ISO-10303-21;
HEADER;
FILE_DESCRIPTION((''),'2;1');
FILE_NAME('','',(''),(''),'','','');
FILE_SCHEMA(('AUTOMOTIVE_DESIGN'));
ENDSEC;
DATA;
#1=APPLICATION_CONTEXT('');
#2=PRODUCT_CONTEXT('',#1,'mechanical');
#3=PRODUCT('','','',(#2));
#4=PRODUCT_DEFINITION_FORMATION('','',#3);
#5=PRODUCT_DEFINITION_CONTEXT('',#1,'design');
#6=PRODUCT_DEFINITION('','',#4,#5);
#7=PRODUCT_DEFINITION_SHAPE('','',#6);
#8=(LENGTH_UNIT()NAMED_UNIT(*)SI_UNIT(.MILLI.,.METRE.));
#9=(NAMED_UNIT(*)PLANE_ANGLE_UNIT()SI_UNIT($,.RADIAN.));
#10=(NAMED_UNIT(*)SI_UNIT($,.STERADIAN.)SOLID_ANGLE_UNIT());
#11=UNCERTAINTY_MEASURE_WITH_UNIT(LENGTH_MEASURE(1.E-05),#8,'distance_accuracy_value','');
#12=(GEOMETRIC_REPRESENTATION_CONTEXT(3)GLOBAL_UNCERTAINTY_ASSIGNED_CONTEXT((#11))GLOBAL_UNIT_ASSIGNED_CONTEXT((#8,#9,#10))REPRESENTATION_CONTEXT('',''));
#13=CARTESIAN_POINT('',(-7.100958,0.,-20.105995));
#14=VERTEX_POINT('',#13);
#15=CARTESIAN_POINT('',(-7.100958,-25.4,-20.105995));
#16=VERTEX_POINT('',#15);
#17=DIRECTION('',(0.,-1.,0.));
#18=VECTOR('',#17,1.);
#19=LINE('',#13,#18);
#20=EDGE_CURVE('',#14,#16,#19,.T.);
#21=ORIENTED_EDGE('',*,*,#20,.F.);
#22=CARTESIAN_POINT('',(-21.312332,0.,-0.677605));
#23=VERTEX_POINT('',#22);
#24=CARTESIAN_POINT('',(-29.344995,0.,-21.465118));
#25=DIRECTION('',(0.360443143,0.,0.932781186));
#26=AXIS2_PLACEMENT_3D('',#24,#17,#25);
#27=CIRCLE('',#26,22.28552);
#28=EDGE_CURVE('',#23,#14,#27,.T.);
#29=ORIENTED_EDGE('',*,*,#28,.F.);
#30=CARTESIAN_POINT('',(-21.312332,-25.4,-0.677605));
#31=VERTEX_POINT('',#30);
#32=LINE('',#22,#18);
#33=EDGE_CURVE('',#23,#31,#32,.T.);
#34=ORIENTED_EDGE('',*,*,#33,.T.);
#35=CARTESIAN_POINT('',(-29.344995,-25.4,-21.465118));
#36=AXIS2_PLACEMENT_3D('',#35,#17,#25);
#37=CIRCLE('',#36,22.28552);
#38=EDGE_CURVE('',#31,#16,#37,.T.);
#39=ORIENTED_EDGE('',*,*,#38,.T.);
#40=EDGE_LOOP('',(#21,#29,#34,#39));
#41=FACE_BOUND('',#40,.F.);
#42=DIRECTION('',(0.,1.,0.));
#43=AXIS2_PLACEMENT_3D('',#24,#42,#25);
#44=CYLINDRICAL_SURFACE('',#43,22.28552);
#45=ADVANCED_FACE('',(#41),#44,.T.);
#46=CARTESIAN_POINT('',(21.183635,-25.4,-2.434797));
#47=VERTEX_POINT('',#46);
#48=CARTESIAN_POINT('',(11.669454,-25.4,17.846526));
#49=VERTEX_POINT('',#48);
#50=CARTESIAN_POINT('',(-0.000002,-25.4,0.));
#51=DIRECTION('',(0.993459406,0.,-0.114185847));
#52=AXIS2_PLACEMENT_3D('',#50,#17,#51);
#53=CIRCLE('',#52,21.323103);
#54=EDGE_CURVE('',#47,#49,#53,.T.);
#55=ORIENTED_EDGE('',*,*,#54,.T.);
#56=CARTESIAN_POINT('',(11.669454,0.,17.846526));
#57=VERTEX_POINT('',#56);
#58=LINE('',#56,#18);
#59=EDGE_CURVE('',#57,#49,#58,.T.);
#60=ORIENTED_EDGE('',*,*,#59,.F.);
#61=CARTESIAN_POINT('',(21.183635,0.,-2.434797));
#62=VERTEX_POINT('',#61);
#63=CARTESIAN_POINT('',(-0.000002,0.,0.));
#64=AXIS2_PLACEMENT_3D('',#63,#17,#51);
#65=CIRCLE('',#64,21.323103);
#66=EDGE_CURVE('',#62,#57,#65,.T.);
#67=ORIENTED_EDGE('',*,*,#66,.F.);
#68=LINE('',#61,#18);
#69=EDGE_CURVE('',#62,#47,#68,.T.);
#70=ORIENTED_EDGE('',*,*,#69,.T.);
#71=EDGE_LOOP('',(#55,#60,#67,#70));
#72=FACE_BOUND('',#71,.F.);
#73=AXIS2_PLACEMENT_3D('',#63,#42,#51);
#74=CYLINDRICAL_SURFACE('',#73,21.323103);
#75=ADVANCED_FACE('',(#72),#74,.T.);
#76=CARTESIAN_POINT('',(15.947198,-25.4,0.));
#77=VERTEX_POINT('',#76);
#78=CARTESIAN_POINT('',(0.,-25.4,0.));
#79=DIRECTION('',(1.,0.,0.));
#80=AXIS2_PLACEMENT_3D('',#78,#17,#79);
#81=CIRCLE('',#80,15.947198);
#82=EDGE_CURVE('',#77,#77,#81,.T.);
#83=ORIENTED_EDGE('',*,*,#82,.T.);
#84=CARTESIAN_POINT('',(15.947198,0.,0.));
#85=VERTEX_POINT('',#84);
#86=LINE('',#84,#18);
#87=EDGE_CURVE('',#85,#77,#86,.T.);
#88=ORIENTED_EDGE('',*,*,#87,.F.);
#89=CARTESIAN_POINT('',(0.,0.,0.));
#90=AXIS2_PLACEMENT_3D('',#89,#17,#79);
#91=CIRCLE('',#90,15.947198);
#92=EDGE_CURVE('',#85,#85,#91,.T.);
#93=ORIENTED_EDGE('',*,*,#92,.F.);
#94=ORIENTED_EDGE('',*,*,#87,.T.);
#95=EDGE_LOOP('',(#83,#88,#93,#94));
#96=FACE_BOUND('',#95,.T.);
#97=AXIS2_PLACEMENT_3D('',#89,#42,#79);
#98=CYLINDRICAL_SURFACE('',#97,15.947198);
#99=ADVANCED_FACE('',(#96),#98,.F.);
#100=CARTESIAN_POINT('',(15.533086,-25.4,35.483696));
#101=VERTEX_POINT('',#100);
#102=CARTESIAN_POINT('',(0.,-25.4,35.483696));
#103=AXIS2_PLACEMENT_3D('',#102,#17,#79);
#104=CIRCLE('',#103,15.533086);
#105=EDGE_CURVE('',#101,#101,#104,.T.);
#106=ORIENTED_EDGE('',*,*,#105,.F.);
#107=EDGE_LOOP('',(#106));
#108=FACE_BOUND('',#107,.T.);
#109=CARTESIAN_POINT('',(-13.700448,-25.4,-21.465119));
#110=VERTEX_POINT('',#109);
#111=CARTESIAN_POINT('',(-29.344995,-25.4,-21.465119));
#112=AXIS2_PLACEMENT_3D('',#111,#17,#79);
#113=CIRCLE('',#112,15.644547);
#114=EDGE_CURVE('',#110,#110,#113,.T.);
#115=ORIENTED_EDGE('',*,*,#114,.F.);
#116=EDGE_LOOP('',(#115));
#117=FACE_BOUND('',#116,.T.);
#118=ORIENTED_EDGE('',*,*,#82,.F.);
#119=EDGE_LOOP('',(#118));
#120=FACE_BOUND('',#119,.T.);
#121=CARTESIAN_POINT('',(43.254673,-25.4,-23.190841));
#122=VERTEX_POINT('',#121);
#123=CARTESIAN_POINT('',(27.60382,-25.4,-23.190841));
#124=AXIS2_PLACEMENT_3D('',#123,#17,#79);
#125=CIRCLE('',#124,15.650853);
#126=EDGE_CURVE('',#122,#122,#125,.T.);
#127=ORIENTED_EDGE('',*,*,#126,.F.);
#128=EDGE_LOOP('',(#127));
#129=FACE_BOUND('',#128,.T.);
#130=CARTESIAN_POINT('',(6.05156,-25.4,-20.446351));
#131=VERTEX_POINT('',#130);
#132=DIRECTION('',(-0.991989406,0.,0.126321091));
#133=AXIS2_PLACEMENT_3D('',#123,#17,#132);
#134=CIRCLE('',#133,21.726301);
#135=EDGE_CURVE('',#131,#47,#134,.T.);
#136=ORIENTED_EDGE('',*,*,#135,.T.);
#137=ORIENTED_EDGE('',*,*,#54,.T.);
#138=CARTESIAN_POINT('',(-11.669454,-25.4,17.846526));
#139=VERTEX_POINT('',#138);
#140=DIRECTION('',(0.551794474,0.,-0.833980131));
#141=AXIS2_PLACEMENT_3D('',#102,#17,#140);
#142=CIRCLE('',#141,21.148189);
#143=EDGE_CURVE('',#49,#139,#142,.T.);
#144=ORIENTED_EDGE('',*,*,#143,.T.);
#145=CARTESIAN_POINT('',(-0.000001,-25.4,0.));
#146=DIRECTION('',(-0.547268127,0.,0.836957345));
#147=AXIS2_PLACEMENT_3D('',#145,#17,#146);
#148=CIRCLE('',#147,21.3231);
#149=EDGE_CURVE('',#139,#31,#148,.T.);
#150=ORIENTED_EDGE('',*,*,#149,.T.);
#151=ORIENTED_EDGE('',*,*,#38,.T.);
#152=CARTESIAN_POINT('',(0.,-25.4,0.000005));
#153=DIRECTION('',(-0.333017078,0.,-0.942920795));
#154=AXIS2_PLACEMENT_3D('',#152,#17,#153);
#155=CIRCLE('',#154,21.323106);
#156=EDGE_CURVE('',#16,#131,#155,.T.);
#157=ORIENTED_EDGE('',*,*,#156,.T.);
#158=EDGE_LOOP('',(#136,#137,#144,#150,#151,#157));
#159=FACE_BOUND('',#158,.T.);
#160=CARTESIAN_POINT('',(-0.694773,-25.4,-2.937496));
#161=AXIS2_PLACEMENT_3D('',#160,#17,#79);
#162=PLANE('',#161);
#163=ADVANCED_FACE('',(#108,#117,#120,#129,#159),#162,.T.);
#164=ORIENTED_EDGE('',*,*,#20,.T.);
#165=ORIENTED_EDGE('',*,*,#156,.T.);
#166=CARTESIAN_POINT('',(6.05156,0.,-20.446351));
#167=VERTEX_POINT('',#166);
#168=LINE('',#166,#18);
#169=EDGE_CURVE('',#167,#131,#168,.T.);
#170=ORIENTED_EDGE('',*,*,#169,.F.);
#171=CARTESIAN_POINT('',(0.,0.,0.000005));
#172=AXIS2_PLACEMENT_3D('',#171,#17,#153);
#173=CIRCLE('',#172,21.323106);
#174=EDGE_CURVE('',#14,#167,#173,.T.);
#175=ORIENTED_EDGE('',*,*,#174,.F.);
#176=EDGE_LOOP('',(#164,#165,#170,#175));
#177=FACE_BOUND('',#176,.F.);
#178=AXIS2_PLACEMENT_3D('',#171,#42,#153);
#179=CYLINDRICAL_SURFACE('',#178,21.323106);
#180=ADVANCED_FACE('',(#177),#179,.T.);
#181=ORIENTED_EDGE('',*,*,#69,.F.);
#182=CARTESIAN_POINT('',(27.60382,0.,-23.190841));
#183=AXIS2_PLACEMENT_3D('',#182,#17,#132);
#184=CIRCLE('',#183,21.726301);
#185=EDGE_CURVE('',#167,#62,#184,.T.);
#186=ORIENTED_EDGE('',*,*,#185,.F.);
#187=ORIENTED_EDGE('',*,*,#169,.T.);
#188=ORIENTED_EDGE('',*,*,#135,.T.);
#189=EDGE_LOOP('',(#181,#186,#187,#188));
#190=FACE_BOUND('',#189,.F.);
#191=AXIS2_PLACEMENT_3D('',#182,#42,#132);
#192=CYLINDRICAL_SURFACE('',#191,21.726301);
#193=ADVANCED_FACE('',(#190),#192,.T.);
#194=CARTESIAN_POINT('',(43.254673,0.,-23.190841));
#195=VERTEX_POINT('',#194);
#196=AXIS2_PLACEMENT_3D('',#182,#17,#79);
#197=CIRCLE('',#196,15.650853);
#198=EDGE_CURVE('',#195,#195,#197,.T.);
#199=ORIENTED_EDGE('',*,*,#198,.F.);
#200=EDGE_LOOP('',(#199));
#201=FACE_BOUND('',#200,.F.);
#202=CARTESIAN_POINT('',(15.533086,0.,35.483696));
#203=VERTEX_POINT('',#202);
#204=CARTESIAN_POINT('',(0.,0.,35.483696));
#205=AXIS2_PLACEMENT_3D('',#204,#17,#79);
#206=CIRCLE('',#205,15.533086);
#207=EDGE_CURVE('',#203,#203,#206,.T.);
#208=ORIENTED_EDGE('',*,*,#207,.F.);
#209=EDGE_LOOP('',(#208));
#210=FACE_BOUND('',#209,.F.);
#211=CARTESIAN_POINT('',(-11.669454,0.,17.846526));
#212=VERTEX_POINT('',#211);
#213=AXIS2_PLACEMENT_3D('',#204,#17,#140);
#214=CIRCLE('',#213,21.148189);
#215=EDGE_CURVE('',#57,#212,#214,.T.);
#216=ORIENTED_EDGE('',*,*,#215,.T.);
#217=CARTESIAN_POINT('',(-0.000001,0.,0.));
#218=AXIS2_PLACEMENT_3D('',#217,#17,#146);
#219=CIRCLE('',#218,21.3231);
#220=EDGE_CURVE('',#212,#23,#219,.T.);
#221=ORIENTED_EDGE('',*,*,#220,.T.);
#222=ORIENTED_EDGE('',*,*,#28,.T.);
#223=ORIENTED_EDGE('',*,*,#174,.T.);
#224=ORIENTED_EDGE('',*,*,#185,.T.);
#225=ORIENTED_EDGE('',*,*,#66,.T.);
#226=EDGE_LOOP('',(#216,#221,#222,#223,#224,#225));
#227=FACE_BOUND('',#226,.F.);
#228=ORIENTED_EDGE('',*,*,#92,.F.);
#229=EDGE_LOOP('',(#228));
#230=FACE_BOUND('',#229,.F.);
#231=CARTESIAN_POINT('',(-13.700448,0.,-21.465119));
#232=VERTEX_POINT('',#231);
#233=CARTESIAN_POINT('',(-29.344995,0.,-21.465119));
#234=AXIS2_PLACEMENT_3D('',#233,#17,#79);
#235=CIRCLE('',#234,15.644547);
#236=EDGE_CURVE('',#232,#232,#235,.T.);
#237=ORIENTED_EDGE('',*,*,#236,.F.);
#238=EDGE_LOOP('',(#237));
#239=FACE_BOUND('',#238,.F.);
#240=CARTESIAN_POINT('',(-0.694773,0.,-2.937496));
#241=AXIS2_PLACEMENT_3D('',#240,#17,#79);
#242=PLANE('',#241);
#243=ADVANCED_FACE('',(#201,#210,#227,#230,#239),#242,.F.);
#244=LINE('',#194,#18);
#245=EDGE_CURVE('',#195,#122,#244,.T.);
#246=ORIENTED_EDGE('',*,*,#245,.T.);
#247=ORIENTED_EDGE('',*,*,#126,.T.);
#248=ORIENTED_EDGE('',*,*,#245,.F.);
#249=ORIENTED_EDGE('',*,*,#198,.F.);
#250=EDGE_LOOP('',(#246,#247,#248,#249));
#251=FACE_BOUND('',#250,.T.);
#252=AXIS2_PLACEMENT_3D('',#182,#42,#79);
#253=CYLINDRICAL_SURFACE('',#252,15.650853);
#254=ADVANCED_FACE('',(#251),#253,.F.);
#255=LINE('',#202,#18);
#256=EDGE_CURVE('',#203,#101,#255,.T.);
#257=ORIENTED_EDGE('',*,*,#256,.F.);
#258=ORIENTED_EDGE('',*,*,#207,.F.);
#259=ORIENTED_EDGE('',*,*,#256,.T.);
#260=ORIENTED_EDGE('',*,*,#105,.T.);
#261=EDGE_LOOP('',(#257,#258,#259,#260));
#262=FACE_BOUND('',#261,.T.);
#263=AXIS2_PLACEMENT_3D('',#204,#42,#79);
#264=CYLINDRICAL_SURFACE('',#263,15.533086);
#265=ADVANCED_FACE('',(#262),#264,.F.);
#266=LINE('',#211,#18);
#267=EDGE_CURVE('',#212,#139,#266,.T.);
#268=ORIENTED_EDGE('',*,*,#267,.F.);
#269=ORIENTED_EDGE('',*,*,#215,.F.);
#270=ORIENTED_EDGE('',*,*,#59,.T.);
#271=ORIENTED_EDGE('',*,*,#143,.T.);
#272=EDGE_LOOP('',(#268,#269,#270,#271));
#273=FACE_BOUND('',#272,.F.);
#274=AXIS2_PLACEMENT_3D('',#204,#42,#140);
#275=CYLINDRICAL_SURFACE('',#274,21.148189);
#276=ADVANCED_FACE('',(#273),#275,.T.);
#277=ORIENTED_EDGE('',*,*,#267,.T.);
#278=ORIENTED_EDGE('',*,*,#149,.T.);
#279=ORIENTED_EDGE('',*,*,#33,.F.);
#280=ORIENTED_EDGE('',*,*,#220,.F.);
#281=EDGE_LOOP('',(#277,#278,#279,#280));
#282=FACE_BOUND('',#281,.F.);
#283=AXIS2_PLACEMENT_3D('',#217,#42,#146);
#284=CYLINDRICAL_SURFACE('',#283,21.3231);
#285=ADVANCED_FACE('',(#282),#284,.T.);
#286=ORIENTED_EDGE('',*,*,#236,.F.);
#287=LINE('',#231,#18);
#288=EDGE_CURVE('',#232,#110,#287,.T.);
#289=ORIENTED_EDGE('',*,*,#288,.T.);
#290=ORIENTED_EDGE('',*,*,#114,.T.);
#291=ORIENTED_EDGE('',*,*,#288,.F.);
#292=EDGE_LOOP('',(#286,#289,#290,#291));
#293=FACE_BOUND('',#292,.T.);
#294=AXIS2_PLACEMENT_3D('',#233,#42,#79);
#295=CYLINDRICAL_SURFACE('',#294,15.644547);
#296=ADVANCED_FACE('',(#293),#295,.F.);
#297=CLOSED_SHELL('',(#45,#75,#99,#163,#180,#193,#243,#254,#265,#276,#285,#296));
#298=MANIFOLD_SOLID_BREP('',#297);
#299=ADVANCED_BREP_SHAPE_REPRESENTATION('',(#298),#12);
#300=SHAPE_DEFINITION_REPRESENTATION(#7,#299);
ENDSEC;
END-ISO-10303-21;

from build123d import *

# Parameters (mm, degrees)
F0_R     = 15.644547
F0_R_2   = 15.650853
F0_R_3   = 15.947198
F0_R_4   = 15.533086
F1_DEPTH = 25.4


with BuildPart() as f1:
    # F0 (on Front) → F1 (new body)
    with BuildSketch(Plane.XZ):
        with BuildLine():
            ThreePointArc((11.669454, 17.846526), (0, 56.631885), (-11.669454, 17.846526))
            ThreePointArc((-11.669454, 17.846526), (-18.913895, 9.845772), (-21.312332, -0.677605))
            ThreePointArc((-21.312332, -0.677605), (-47.332079, -34.622215), (-7.100958, -20.105995))
            ThreePointArc((-7.100958, -20.105995), (-0.551606, -21.315965), (6.05156, -20.446351))
            ThreePointArc((6.05156, -20.446351), (44.238676, -37.166309), (21.183635, -2.434797))
            ThreePointArc((21.183635, -2.434797), (19.304517, 9.055951), (11.669454, 17.846526))
        make_face()
        with Locations((-29.344995, -21.465119)):
            Circle(F0_R, mode=Mode.SUBTRACT)
        with Locations((27.60382, -23.190841)):
            Circle(F0_R_2, mode=Mode.SUBTRACT)
        Circle(F0_R_3, mode=Mode.SUBTRACT)
        with Locations((0, 35.483696)):
            Circle(F0_R_4, mode=Mode.SUBTRACT)
    extrude(amount=F1_DEPTH)


solid = f1.part
